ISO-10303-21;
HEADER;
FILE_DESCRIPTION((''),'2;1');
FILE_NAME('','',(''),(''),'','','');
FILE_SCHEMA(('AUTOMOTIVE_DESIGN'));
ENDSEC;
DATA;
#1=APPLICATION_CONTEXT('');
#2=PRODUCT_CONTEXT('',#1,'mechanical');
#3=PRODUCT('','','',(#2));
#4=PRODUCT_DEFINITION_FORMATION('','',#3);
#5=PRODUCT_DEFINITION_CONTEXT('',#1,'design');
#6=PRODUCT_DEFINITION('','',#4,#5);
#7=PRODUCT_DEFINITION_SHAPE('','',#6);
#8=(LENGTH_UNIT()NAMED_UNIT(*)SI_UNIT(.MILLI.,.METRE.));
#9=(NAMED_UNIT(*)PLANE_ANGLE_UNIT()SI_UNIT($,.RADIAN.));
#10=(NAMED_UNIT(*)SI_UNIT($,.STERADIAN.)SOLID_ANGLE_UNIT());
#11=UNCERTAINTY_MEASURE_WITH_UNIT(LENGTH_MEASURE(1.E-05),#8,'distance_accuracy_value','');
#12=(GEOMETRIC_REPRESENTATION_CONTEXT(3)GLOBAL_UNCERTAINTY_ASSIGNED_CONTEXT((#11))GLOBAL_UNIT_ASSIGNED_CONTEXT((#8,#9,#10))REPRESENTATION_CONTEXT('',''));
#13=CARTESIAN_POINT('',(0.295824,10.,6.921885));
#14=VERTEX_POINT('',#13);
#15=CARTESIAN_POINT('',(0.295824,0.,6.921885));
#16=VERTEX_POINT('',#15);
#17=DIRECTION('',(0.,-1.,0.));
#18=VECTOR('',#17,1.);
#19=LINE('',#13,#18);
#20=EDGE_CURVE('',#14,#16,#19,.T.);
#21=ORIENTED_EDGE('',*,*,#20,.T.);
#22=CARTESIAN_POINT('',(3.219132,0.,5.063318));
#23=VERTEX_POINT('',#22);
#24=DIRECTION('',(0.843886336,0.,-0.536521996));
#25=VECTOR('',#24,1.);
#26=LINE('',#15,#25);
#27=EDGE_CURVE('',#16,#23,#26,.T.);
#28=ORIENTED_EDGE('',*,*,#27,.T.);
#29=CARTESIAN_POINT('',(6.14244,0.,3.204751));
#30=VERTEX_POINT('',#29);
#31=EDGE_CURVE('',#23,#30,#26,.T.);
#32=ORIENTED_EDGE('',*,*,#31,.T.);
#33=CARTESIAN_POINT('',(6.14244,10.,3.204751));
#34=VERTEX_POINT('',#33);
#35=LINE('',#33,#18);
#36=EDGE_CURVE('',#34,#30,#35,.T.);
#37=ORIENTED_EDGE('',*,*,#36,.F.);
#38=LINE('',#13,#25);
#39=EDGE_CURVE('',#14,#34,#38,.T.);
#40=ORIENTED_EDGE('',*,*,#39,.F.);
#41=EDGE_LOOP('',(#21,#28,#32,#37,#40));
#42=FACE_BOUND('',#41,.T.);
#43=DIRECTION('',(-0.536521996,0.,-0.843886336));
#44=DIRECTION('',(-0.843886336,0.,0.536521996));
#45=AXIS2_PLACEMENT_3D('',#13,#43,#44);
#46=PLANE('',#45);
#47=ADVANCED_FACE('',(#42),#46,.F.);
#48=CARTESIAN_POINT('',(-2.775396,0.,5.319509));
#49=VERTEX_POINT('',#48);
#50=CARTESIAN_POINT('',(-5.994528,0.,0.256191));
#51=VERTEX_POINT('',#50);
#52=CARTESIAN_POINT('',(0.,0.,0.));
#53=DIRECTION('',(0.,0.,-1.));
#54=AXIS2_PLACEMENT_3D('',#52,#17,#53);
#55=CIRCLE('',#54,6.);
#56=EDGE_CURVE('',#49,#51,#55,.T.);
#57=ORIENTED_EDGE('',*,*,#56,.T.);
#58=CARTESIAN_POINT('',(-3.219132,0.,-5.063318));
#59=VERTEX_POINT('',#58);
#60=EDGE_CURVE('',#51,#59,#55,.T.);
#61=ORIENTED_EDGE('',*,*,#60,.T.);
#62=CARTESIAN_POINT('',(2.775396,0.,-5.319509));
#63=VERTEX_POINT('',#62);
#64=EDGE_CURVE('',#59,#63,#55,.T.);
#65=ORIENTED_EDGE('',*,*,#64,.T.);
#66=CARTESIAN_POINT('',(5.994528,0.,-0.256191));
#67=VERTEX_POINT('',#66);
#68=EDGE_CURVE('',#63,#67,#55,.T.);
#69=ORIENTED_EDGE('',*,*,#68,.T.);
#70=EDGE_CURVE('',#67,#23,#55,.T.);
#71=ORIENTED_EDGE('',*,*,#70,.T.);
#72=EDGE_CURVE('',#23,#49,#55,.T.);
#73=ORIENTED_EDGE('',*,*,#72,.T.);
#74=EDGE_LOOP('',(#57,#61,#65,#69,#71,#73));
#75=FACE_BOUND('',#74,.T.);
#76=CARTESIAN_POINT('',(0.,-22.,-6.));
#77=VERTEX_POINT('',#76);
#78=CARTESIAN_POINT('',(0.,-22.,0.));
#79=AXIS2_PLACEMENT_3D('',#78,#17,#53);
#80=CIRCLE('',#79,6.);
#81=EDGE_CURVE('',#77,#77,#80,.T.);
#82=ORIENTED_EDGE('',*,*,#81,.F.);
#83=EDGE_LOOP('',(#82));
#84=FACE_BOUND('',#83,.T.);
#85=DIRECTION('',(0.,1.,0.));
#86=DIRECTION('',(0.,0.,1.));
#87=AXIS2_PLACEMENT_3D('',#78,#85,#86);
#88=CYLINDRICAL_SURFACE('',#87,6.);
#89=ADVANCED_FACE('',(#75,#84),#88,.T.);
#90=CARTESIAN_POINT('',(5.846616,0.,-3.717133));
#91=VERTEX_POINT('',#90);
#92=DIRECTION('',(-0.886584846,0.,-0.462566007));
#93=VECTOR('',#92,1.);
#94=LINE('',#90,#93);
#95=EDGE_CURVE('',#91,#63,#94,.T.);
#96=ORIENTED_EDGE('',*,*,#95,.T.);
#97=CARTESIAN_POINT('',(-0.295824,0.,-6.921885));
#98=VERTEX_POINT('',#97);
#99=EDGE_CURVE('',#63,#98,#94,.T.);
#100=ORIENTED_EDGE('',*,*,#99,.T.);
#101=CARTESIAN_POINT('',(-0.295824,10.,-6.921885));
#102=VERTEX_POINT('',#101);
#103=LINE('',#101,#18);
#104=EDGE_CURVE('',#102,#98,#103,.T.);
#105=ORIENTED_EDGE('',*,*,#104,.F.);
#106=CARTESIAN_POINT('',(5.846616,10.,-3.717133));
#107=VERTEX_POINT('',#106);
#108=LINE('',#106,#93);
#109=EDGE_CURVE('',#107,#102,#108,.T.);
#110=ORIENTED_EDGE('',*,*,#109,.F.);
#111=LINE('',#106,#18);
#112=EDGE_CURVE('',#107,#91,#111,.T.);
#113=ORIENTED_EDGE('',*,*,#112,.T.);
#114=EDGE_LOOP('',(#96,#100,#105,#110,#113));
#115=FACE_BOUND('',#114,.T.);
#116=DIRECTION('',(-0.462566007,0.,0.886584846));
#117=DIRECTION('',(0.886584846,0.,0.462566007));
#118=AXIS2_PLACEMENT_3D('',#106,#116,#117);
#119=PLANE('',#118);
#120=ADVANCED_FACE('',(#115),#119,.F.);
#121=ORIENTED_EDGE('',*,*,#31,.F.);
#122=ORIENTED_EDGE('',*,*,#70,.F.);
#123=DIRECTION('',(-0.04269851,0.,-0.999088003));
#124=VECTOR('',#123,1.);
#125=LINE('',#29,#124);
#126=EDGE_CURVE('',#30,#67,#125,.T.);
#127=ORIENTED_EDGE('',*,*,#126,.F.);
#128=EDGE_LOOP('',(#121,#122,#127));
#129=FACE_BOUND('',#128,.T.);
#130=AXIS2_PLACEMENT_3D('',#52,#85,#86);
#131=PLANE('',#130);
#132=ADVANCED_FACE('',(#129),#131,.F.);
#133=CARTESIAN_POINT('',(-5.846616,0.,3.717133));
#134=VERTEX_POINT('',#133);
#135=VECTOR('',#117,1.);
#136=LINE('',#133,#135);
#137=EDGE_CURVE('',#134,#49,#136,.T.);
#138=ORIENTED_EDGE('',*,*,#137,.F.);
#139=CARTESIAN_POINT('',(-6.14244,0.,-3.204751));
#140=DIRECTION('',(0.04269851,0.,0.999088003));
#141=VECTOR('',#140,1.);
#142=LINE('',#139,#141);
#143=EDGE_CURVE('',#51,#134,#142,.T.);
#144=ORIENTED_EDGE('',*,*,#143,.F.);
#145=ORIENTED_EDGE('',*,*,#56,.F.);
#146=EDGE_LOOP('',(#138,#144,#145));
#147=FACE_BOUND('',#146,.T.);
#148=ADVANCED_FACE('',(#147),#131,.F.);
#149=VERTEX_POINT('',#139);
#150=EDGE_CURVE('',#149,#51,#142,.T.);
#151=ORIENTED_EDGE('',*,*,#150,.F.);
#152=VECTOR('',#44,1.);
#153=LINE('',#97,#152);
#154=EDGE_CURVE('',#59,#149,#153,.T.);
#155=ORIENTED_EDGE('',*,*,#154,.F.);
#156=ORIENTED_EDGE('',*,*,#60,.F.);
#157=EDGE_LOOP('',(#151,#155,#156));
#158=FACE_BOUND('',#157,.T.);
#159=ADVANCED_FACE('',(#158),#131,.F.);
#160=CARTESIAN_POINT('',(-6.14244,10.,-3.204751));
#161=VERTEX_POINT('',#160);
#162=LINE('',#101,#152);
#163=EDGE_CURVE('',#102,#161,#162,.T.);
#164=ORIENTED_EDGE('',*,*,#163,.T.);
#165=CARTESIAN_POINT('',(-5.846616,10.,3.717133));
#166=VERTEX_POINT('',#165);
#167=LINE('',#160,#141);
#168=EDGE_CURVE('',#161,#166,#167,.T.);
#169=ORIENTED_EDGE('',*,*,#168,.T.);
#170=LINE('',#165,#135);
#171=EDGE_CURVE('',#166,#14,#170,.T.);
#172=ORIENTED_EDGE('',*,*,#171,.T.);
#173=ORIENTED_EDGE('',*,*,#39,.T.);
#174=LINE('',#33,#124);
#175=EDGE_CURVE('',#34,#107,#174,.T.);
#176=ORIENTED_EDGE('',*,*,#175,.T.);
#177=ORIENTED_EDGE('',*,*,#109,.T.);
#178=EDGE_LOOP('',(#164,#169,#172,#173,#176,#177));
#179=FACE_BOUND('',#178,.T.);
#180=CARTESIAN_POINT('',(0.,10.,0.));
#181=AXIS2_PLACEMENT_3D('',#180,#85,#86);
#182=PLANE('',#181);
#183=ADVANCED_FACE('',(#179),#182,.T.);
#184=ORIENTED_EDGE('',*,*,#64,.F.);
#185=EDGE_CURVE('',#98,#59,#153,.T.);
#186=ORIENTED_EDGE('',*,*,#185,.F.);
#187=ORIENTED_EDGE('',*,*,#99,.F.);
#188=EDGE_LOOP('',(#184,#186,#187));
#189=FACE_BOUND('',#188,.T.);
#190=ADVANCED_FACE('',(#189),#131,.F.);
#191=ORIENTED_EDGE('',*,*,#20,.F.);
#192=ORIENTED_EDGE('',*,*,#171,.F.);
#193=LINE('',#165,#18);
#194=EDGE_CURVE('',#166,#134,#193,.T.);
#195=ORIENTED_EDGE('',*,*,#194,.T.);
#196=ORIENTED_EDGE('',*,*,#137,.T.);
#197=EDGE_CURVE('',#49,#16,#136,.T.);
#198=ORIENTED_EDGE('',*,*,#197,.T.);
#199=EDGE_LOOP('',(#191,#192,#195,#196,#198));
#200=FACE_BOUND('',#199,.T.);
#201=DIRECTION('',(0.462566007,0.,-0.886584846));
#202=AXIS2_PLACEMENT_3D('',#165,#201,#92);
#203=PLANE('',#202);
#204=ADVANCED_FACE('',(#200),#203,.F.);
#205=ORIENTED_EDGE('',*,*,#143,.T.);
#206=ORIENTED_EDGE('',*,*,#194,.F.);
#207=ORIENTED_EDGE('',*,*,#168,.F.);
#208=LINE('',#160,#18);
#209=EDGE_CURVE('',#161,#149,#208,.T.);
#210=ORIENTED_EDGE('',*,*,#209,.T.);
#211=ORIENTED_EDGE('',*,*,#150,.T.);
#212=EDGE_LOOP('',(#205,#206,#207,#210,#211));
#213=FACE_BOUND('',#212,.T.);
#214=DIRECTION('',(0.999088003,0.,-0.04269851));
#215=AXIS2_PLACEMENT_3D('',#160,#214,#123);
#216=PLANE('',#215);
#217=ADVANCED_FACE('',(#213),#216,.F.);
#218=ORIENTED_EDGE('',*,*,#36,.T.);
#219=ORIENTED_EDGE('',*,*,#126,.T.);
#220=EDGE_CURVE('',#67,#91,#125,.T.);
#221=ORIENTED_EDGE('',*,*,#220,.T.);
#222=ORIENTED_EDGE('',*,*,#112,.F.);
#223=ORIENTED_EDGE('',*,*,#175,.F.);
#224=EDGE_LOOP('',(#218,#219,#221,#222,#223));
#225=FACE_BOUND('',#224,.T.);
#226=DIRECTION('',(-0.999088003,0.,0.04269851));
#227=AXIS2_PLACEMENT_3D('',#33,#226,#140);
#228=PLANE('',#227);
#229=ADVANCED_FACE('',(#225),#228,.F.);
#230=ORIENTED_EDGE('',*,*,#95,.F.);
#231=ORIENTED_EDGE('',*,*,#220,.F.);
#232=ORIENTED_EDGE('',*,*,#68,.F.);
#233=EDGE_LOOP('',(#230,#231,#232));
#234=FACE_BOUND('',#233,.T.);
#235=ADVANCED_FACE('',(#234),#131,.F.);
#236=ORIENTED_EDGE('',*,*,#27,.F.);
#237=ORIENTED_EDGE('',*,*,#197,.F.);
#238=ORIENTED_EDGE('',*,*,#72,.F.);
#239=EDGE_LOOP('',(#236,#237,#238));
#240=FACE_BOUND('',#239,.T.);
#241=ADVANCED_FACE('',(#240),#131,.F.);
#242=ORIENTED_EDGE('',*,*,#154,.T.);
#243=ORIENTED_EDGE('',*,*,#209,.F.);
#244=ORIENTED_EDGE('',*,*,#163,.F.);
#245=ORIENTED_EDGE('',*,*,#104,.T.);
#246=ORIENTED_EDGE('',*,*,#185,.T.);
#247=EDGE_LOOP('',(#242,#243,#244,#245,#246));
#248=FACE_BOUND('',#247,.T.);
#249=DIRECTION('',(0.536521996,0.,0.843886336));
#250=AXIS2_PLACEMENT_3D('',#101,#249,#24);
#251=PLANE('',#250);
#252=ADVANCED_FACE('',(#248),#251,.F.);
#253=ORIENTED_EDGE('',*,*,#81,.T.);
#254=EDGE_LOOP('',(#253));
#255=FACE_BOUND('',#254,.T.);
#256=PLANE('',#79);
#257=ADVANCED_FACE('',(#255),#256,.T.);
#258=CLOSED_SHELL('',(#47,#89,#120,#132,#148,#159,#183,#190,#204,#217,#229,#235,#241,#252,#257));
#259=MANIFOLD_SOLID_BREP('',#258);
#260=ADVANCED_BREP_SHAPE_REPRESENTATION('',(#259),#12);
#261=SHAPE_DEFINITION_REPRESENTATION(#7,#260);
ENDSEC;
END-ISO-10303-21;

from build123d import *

# Parameters (mm, degrees)
BOSS_EXTRUDE1_DEPTH = 10
SKETCH6_R           = 6
BOSS_EXTRUDE2_DEPTH = 22


with BuildPart() as part:
    # Sketch1 → Boss-Extrude1 (new body)
    with BuildSketch(Plane(origin=(0, 0, 0), x_dir=(1, 0, 0), z_dir=(0, 1, 0))):
        Polygon((6.142439995, -3.204751302), (5.846616038, 3.717133426), (-0.295823957, 6.921884728), (-6.142439995, 3.204751302), (-5.846616038, -3.717133426), (0.295823957, -6.921884728), align=None)
    extrude(amount=BOSS_EXTRUDE1_DEPTH)

    # Sketch6 → Boss-Extrude2 (add)
    with BuildSketch(Plane.XZ):
        with Locations(Location((0, 0, 0), (0, 0, 117.552811577))):
            Circle(SKETCH6_R)
    extrude(amount=BOSS_EXTRUDE2_DEPTH)


solid = part.part
